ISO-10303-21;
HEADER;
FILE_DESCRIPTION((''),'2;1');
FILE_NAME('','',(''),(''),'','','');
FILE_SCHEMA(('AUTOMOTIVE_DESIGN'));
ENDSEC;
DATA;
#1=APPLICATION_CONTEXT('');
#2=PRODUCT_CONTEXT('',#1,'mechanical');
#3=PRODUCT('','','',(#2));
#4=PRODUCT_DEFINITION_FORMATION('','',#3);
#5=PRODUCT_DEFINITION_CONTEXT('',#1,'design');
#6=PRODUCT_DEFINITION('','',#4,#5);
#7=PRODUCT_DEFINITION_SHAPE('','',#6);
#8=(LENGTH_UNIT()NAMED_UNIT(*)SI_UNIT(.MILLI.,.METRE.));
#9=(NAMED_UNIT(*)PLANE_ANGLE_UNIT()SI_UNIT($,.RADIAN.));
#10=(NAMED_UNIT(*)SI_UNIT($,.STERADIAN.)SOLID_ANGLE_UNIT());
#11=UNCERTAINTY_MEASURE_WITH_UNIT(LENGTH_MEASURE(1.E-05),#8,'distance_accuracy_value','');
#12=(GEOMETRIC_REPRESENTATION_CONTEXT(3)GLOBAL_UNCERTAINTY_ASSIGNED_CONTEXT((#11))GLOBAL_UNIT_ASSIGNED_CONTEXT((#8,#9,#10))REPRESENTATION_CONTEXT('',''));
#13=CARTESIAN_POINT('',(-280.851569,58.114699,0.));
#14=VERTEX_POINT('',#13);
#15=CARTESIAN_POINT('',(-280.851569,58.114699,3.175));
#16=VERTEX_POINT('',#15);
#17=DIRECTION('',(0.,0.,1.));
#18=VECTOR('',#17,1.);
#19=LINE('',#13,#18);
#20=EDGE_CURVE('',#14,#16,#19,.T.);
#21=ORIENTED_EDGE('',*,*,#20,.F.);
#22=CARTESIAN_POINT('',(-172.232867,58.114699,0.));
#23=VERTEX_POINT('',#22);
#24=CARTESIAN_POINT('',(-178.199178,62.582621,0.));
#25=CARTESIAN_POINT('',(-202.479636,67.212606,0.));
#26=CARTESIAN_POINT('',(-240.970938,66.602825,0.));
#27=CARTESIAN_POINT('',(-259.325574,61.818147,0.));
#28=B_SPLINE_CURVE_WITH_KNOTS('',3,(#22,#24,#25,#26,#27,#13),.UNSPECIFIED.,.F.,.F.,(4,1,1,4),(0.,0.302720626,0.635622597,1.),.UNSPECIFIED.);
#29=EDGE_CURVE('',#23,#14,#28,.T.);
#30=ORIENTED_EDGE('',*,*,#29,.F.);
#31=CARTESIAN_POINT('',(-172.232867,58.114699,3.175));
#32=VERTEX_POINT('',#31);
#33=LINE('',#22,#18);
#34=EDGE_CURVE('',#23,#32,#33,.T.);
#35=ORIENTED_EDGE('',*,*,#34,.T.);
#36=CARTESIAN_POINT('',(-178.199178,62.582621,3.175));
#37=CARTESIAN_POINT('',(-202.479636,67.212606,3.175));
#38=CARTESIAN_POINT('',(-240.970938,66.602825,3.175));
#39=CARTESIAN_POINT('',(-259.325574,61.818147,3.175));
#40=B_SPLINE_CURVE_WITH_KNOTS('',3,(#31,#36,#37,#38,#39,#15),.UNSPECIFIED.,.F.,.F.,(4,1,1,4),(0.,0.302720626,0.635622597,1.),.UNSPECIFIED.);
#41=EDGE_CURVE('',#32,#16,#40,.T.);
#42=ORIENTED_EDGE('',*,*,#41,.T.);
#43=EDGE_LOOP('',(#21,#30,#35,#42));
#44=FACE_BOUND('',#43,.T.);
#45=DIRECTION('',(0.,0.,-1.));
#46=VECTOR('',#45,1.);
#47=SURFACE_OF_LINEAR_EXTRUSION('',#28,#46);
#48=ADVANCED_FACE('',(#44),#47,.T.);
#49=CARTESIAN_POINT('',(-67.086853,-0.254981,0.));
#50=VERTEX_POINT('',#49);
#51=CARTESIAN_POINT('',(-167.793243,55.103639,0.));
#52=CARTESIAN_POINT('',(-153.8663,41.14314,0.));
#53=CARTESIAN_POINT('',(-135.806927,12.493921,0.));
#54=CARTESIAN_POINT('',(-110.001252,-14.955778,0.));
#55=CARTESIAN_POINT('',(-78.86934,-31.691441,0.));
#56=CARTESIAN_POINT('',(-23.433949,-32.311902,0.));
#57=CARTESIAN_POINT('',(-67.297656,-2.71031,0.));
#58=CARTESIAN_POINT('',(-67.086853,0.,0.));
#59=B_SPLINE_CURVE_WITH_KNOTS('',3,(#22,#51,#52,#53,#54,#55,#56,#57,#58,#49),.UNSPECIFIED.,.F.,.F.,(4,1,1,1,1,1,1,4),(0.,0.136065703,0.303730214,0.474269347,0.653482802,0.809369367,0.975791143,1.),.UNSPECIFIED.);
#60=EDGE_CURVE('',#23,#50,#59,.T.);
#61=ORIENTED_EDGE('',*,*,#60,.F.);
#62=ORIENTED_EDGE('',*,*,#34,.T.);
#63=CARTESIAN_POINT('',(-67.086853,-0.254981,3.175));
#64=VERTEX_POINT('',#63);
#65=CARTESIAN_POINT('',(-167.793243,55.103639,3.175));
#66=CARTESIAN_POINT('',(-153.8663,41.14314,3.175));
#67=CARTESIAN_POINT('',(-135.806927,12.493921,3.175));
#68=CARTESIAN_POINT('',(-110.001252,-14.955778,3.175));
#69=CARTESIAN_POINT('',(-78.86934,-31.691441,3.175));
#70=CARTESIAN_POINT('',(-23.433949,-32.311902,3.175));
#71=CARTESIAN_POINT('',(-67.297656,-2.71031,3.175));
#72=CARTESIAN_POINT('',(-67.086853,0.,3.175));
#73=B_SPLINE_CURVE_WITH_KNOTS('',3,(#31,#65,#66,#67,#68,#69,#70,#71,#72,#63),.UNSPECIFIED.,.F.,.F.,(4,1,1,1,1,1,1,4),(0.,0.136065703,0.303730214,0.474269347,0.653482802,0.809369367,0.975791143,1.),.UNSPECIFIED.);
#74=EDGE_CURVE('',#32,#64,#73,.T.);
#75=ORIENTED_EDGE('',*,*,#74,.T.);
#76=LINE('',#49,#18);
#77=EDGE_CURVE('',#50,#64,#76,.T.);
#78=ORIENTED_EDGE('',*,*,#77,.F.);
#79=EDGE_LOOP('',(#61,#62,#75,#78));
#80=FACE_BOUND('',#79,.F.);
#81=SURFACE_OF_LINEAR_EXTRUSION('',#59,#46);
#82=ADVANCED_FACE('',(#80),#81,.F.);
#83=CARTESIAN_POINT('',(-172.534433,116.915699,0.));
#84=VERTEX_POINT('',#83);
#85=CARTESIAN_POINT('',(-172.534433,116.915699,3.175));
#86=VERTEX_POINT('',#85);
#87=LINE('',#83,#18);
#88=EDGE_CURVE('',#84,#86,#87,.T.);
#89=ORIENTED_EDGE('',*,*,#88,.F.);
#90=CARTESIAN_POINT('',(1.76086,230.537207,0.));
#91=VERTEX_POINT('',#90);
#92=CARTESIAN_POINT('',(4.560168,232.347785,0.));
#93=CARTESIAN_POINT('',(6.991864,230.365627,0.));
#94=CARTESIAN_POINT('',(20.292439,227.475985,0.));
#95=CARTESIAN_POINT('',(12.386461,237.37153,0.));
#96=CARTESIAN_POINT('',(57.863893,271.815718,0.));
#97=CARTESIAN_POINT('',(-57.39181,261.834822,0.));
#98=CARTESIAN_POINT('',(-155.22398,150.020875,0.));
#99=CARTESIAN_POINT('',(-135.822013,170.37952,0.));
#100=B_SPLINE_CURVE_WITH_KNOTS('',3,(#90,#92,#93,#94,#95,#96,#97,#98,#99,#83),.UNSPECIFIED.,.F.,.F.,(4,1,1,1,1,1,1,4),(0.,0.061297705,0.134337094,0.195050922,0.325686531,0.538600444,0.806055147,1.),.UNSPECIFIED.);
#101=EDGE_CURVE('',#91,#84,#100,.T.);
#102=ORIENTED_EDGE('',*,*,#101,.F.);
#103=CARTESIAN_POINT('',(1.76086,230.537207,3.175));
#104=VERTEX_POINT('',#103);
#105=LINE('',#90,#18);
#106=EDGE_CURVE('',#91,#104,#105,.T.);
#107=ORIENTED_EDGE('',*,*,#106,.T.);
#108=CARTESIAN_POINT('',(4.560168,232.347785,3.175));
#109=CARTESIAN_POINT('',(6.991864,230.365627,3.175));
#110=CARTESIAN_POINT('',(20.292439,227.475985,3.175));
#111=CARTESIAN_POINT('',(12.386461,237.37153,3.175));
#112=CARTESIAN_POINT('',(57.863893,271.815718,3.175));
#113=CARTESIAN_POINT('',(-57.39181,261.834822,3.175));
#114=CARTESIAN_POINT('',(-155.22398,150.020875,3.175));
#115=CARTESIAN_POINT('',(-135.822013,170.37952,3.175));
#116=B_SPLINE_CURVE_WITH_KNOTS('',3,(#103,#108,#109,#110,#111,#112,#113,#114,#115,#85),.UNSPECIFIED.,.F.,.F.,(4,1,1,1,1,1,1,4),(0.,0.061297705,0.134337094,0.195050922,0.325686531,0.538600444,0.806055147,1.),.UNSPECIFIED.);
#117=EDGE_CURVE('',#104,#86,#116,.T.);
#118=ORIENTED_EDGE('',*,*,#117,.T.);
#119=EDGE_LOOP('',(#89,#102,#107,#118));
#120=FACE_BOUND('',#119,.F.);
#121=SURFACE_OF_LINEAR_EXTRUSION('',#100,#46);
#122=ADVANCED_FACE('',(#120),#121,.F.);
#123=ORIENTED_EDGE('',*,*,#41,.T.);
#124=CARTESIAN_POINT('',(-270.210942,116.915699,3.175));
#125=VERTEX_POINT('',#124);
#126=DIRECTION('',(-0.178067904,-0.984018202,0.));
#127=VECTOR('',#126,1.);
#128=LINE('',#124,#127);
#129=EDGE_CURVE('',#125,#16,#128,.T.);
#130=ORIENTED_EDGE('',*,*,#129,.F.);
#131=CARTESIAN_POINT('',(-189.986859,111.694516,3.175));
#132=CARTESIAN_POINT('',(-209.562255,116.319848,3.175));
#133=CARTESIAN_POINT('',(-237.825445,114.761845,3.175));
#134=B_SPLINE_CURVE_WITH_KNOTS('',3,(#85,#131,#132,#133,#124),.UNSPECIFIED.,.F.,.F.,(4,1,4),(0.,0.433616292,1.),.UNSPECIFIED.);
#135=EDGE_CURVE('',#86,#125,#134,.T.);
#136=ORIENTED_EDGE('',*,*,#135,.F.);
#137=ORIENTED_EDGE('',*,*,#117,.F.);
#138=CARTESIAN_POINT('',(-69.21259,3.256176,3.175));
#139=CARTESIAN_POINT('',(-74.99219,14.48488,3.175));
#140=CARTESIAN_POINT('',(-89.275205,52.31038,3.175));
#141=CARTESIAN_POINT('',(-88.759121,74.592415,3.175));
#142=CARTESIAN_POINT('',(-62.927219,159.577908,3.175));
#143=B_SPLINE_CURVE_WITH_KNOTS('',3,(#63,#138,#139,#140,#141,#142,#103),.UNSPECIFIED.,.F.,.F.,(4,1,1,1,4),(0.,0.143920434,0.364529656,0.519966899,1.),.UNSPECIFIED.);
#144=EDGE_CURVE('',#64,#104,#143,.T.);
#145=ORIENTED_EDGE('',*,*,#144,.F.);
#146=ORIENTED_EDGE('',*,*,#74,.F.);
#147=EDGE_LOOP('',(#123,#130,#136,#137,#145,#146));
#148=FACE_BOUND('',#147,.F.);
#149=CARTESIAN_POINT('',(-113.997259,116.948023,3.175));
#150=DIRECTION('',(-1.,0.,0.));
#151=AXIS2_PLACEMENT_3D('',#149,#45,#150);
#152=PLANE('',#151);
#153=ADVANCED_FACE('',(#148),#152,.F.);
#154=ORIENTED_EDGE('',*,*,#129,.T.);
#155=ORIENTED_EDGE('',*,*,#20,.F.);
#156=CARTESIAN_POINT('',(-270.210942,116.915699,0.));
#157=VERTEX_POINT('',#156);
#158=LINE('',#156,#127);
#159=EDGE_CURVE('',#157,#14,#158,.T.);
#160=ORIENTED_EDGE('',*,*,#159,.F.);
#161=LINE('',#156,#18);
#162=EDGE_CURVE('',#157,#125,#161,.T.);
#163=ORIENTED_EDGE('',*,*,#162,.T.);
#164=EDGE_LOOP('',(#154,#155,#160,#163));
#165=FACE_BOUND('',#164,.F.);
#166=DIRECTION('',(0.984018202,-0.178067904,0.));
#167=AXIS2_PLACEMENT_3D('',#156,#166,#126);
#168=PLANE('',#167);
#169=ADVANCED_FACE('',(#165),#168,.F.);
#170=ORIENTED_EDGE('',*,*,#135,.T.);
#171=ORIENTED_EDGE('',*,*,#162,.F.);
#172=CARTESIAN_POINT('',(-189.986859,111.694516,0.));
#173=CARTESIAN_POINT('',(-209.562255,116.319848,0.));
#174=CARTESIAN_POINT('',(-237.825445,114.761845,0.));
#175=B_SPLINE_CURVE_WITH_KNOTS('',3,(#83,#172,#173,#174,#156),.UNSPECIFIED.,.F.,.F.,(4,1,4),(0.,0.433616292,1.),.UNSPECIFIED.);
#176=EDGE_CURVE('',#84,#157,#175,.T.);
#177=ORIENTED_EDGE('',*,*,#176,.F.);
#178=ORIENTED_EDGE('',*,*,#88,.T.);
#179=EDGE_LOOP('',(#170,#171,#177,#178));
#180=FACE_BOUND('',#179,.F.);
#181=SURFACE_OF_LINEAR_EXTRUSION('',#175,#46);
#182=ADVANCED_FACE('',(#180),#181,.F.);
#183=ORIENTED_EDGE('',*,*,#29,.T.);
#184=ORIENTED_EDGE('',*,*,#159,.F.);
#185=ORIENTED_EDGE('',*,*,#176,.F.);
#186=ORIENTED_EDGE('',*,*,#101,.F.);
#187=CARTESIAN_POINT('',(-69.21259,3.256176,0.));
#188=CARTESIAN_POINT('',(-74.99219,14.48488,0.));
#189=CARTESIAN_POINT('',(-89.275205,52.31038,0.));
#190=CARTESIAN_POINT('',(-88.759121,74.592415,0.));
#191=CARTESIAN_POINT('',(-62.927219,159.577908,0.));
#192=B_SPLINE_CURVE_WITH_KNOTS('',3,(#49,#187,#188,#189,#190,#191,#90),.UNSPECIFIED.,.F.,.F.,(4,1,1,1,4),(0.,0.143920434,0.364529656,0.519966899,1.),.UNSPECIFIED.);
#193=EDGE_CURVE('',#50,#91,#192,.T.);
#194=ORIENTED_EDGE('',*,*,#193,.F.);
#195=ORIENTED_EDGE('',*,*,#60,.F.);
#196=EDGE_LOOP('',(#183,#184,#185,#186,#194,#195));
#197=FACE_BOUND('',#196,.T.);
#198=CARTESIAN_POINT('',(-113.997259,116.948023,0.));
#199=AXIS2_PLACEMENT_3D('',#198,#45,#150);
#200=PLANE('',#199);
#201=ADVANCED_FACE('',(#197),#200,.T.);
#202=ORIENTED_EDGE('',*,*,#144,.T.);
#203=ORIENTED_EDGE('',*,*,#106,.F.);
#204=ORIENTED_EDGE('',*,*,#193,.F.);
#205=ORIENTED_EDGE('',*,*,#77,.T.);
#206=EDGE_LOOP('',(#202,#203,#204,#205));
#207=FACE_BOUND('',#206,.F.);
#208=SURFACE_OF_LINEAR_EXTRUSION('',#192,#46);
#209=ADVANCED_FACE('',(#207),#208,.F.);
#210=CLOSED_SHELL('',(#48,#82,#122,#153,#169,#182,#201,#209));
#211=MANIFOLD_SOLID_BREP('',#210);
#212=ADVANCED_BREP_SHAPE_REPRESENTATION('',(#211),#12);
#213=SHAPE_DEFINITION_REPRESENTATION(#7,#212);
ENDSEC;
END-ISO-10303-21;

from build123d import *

# Parameters (mm, degrees)
F1_DEPTH = 3.175


with BuildPart() as f1:
    # F0 (on Top) → F1 (new body)
    with BuildSketch(Plane.XY):
        with BuildLine():
            add(Edge.make_bspline(
                [(-172.2328667043, 58.114699061), (-178.1991780072, 62.5826207553), (-202.4796362473, 67.2126055062), (-240.970937826, 66.6028247051), (-259.3255736371, 61.8181466399), (-280.8515687991, 58.114699061)],
                knots=[0, 0, 0, 0, 0.3027206265, 0.6356225974, 1, 1, 1, 1], degree=3))
            add(Edge.make_bspline(
                [(-172.2328667043, 58.114699061), (-167.7932428049, 55.103638933), (-153.8662998203, 41.1431396594), (-135.8069266298, 12.4939209918), (-110.0012521127, -14.9557776444), (-78.8693403249, -31.6914411152), (-23.4339486691, -32.3119024273), (-67.2976555796, -2.7103102349), (-67.0868525894, 0), (-67.0868525894, -0.2549805823)],
                knots=[0, 0, 0, 0, 0.1360657028, 0.3037302143, 0.4742693474, 0.653482802, 0.809369367, 0.9757911433, 1, 1, 1, 1], degree=3))
            add(Edge.make_bspline(
                [(-67.0868525894, -0.2549805823), (-69.2125904029, 3.256175837), (-74.9921898873, 14.4848800684), (-89.27520538, 52.310380297), (-88.7591205811, 74.5924149335), (-62.9272192884, 159.5779075452), (1.7608600929, 230.5372072262)],
                knots=[0, 0, 0, 0, 0.1439204339, 0.3645296562, 0.5199668986, 1, 1, 1, 1], degree=3))
            add(Edge.make_bspline(
                [(1.7608600929, 230.5372072262), (4.560167842, 232.3477854591), (6.9918636567, 230.3656272234), (20.2924394563, 227.4759853141), (12.3864605446, 237.3715301092), (57.8638928697, 271.815718132), (-57.3918104099, 261.8348224849), (-155.2239797379, 150.0208747529), (-135.8220126113, 170.3795203176), (-172.5344332528, 116.915699061)],
                knots=[0, 0, 0, 0, 0.0612977045, 0.1343370941, 0.1950509223, 0.3256865314, 0.5386004436, 0.806055147, 1, 1, 1, 1], degree=3))
            add(Edge.make_bspline(
                [(-172.5344332528, 116.915699061), (-189.9868586916, 111.6945158446), (-209.5622546066, 116.3198478282), (-237.8254445073, 114.7618445941), (-270.2109416491, 116.915699061)],
                knots=[0, 0, 0, 0, 0.4336162916, 1, 1, 1, 1], degree=3))
            Line((-270.2109416491, 116.915699061), (-280.8515687991, 58.114699061))
        make_face()
    extrude(amount=F1_DEPTH)


solid = f1.part
